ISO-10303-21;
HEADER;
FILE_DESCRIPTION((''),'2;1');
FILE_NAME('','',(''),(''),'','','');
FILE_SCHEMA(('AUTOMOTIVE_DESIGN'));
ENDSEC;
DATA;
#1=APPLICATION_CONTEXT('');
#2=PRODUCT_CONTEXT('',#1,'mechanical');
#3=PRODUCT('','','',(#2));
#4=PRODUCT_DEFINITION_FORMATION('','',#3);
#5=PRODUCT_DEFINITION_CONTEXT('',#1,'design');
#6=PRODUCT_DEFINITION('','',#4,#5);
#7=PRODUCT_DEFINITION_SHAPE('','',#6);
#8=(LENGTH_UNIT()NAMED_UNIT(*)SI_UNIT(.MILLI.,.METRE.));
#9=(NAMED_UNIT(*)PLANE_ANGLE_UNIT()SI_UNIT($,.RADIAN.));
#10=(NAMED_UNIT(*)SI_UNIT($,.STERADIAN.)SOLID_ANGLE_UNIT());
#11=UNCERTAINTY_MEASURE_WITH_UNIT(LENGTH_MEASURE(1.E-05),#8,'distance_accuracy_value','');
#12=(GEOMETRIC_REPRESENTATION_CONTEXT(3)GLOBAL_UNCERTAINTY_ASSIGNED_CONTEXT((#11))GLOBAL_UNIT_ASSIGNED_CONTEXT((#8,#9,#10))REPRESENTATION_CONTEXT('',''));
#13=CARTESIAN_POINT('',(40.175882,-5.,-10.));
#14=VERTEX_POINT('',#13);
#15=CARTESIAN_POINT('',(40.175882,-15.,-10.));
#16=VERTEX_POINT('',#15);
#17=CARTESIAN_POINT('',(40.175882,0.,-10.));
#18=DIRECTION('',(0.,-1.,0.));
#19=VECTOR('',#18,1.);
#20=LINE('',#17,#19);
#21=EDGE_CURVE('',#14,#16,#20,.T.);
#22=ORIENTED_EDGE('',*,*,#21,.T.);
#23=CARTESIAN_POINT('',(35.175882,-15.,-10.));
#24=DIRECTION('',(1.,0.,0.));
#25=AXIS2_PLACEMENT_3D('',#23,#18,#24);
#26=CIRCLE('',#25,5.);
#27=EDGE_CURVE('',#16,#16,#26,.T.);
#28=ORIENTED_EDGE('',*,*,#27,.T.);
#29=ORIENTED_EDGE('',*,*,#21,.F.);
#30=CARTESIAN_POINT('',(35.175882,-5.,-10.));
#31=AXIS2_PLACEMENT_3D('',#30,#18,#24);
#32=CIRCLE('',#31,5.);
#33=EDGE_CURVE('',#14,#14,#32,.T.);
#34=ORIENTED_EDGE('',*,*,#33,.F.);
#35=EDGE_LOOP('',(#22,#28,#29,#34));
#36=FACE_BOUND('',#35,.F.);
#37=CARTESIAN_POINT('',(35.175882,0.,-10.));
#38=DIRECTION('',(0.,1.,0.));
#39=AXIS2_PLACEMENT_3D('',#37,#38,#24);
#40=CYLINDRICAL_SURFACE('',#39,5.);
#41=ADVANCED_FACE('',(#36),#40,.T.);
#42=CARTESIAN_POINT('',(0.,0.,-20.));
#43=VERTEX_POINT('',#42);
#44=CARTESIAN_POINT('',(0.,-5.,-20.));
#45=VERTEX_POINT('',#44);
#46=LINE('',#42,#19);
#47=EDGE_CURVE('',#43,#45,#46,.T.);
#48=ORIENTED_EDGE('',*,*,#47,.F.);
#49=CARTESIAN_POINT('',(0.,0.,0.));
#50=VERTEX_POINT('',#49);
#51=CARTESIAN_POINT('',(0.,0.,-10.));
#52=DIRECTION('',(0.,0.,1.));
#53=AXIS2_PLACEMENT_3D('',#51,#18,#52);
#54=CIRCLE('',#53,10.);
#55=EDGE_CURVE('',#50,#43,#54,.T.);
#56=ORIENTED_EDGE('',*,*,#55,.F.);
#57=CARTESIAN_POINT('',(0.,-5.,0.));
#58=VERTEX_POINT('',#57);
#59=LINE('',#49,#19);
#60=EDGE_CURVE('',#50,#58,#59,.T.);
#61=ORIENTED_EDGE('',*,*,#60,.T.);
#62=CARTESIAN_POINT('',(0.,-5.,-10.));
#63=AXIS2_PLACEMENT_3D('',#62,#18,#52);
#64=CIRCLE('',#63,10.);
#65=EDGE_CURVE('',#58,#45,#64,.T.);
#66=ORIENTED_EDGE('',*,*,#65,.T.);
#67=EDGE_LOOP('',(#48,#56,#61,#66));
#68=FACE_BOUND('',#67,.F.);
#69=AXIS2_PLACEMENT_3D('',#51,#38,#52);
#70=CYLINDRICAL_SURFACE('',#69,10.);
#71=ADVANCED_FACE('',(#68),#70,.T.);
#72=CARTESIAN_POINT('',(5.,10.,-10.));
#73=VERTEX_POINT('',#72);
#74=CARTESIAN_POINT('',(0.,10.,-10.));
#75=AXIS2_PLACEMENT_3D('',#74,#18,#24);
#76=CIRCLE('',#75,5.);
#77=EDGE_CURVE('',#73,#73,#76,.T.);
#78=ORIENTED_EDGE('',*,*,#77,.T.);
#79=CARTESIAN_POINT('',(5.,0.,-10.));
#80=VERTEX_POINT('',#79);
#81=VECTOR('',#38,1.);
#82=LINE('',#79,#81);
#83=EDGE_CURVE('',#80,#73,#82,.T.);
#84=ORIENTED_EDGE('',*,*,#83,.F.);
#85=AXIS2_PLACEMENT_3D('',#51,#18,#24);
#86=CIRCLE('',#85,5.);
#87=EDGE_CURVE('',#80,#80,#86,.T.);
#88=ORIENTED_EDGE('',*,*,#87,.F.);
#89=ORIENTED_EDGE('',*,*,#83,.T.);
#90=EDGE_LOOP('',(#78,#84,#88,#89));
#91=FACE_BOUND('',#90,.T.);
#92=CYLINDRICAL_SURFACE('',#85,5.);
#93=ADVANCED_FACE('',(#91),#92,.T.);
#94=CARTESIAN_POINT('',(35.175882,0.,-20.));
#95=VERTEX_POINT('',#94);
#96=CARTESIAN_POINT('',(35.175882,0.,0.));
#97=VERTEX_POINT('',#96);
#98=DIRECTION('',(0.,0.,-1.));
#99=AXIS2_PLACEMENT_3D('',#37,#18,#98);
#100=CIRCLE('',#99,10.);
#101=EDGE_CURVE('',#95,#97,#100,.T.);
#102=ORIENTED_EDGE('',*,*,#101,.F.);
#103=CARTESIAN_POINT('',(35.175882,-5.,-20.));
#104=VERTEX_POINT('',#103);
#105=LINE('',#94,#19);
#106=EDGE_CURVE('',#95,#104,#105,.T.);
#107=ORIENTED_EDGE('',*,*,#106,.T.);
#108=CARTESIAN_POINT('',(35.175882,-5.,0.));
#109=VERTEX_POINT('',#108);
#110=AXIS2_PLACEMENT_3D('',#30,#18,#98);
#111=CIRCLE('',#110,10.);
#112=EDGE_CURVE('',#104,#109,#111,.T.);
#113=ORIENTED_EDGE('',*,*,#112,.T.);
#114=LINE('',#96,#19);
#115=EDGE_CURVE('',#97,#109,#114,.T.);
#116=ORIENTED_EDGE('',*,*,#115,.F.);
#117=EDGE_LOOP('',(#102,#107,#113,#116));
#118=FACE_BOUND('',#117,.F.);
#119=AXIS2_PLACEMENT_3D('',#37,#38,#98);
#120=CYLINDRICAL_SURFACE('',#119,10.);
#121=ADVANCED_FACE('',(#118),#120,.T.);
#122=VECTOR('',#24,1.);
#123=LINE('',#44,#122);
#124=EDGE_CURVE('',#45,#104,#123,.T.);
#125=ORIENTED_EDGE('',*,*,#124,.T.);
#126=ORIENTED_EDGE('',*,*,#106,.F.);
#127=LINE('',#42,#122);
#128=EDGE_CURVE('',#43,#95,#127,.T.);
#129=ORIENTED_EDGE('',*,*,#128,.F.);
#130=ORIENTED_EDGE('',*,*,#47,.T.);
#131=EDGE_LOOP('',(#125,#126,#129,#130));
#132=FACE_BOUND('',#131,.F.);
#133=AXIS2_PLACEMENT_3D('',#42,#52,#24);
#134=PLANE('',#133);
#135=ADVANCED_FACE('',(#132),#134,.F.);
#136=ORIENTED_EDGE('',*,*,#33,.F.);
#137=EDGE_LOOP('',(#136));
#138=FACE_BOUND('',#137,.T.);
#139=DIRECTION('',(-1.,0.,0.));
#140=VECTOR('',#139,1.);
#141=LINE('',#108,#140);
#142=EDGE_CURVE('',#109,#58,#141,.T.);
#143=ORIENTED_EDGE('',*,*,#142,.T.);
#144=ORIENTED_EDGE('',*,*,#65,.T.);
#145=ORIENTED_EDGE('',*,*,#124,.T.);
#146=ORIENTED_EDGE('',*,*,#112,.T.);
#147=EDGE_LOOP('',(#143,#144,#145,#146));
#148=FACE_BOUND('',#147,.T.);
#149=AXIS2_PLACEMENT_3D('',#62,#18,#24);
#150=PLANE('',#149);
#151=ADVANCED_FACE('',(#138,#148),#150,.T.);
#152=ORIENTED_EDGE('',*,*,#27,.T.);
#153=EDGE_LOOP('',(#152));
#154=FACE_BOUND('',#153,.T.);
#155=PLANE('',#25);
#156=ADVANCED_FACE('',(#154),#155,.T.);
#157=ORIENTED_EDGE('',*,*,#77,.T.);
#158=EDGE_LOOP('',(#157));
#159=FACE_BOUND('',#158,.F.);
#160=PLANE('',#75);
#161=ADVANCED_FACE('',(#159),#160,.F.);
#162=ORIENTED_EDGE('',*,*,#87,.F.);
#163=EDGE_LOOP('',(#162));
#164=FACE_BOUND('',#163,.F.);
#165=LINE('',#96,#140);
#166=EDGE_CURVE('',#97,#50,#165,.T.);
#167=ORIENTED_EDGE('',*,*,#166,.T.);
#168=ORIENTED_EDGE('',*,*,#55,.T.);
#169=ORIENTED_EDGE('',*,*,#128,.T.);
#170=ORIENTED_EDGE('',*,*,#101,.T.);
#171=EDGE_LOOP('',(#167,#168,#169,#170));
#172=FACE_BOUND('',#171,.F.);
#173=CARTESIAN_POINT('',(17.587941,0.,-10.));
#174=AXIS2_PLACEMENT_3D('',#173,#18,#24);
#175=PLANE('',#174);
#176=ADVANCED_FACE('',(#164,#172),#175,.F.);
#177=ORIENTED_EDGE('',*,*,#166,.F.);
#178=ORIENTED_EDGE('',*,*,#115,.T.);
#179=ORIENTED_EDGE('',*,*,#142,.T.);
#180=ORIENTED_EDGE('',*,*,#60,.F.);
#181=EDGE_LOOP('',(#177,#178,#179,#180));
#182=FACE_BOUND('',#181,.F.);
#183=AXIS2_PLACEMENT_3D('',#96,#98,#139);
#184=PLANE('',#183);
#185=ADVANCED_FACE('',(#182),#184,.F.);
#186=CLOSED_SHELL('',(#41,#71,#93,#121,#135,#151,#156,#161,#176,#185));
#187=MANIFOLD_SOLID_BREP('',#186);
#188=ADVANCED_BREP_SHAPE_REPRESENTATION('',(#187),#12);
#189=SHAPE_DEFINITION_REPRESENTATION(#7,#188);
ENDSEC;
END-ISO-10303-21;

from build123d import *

# Parameters (mm, degrees)
F0_R          = 5
F1_DEPTH      = 5
F2_DEPTH      = 15
F3_DEPTH      = 10
F3_DEPTH_BACK = 5


with BuildPart() as f1:
    # F0 (on Front) → F1 (new body)
    with BuildSketch(Plane.XZ):
        with BuildLine():
            Line((35.1758819227, 0), (0, 0))
            ThreePointArc((0, 0), (-10, -10), (0, -20))
            Line((0, -20), (35.1758819227, -20))
            ThreePointArc((35.1758819227, -20), (45.1758819227, -10), (35.1758819227, 0))
        make_face()
        with Locations((0, -10)):
            Circle(F0_R, mode=Mode.SUBTRACT)
        with Locations((35.1758819227, -10)):
            Circle(F0_R, mode=Mode.SUBTRACT)
    extrude(amount=F1_DEPTH)

    # F0 (on Front) → F2 (join)
    with BuildSketch(Plane.XZ):
        with Locations((35.1758819227, -10)):
            Circle(F0_R)
    extrude(amount=F2_DEPTH)

    # F0 (on Front) → F3 (join, two sides)
    with BuildSketch(Plane.XZ) as f3_sk:
        with Locations((0, -10)):
            Circle(F0_R)
    extrude(amount=-F3_DEPTH)
    extrude(f3_sk.sketch, amount=F3_DEPTH_BACK)


solid = f1.part
